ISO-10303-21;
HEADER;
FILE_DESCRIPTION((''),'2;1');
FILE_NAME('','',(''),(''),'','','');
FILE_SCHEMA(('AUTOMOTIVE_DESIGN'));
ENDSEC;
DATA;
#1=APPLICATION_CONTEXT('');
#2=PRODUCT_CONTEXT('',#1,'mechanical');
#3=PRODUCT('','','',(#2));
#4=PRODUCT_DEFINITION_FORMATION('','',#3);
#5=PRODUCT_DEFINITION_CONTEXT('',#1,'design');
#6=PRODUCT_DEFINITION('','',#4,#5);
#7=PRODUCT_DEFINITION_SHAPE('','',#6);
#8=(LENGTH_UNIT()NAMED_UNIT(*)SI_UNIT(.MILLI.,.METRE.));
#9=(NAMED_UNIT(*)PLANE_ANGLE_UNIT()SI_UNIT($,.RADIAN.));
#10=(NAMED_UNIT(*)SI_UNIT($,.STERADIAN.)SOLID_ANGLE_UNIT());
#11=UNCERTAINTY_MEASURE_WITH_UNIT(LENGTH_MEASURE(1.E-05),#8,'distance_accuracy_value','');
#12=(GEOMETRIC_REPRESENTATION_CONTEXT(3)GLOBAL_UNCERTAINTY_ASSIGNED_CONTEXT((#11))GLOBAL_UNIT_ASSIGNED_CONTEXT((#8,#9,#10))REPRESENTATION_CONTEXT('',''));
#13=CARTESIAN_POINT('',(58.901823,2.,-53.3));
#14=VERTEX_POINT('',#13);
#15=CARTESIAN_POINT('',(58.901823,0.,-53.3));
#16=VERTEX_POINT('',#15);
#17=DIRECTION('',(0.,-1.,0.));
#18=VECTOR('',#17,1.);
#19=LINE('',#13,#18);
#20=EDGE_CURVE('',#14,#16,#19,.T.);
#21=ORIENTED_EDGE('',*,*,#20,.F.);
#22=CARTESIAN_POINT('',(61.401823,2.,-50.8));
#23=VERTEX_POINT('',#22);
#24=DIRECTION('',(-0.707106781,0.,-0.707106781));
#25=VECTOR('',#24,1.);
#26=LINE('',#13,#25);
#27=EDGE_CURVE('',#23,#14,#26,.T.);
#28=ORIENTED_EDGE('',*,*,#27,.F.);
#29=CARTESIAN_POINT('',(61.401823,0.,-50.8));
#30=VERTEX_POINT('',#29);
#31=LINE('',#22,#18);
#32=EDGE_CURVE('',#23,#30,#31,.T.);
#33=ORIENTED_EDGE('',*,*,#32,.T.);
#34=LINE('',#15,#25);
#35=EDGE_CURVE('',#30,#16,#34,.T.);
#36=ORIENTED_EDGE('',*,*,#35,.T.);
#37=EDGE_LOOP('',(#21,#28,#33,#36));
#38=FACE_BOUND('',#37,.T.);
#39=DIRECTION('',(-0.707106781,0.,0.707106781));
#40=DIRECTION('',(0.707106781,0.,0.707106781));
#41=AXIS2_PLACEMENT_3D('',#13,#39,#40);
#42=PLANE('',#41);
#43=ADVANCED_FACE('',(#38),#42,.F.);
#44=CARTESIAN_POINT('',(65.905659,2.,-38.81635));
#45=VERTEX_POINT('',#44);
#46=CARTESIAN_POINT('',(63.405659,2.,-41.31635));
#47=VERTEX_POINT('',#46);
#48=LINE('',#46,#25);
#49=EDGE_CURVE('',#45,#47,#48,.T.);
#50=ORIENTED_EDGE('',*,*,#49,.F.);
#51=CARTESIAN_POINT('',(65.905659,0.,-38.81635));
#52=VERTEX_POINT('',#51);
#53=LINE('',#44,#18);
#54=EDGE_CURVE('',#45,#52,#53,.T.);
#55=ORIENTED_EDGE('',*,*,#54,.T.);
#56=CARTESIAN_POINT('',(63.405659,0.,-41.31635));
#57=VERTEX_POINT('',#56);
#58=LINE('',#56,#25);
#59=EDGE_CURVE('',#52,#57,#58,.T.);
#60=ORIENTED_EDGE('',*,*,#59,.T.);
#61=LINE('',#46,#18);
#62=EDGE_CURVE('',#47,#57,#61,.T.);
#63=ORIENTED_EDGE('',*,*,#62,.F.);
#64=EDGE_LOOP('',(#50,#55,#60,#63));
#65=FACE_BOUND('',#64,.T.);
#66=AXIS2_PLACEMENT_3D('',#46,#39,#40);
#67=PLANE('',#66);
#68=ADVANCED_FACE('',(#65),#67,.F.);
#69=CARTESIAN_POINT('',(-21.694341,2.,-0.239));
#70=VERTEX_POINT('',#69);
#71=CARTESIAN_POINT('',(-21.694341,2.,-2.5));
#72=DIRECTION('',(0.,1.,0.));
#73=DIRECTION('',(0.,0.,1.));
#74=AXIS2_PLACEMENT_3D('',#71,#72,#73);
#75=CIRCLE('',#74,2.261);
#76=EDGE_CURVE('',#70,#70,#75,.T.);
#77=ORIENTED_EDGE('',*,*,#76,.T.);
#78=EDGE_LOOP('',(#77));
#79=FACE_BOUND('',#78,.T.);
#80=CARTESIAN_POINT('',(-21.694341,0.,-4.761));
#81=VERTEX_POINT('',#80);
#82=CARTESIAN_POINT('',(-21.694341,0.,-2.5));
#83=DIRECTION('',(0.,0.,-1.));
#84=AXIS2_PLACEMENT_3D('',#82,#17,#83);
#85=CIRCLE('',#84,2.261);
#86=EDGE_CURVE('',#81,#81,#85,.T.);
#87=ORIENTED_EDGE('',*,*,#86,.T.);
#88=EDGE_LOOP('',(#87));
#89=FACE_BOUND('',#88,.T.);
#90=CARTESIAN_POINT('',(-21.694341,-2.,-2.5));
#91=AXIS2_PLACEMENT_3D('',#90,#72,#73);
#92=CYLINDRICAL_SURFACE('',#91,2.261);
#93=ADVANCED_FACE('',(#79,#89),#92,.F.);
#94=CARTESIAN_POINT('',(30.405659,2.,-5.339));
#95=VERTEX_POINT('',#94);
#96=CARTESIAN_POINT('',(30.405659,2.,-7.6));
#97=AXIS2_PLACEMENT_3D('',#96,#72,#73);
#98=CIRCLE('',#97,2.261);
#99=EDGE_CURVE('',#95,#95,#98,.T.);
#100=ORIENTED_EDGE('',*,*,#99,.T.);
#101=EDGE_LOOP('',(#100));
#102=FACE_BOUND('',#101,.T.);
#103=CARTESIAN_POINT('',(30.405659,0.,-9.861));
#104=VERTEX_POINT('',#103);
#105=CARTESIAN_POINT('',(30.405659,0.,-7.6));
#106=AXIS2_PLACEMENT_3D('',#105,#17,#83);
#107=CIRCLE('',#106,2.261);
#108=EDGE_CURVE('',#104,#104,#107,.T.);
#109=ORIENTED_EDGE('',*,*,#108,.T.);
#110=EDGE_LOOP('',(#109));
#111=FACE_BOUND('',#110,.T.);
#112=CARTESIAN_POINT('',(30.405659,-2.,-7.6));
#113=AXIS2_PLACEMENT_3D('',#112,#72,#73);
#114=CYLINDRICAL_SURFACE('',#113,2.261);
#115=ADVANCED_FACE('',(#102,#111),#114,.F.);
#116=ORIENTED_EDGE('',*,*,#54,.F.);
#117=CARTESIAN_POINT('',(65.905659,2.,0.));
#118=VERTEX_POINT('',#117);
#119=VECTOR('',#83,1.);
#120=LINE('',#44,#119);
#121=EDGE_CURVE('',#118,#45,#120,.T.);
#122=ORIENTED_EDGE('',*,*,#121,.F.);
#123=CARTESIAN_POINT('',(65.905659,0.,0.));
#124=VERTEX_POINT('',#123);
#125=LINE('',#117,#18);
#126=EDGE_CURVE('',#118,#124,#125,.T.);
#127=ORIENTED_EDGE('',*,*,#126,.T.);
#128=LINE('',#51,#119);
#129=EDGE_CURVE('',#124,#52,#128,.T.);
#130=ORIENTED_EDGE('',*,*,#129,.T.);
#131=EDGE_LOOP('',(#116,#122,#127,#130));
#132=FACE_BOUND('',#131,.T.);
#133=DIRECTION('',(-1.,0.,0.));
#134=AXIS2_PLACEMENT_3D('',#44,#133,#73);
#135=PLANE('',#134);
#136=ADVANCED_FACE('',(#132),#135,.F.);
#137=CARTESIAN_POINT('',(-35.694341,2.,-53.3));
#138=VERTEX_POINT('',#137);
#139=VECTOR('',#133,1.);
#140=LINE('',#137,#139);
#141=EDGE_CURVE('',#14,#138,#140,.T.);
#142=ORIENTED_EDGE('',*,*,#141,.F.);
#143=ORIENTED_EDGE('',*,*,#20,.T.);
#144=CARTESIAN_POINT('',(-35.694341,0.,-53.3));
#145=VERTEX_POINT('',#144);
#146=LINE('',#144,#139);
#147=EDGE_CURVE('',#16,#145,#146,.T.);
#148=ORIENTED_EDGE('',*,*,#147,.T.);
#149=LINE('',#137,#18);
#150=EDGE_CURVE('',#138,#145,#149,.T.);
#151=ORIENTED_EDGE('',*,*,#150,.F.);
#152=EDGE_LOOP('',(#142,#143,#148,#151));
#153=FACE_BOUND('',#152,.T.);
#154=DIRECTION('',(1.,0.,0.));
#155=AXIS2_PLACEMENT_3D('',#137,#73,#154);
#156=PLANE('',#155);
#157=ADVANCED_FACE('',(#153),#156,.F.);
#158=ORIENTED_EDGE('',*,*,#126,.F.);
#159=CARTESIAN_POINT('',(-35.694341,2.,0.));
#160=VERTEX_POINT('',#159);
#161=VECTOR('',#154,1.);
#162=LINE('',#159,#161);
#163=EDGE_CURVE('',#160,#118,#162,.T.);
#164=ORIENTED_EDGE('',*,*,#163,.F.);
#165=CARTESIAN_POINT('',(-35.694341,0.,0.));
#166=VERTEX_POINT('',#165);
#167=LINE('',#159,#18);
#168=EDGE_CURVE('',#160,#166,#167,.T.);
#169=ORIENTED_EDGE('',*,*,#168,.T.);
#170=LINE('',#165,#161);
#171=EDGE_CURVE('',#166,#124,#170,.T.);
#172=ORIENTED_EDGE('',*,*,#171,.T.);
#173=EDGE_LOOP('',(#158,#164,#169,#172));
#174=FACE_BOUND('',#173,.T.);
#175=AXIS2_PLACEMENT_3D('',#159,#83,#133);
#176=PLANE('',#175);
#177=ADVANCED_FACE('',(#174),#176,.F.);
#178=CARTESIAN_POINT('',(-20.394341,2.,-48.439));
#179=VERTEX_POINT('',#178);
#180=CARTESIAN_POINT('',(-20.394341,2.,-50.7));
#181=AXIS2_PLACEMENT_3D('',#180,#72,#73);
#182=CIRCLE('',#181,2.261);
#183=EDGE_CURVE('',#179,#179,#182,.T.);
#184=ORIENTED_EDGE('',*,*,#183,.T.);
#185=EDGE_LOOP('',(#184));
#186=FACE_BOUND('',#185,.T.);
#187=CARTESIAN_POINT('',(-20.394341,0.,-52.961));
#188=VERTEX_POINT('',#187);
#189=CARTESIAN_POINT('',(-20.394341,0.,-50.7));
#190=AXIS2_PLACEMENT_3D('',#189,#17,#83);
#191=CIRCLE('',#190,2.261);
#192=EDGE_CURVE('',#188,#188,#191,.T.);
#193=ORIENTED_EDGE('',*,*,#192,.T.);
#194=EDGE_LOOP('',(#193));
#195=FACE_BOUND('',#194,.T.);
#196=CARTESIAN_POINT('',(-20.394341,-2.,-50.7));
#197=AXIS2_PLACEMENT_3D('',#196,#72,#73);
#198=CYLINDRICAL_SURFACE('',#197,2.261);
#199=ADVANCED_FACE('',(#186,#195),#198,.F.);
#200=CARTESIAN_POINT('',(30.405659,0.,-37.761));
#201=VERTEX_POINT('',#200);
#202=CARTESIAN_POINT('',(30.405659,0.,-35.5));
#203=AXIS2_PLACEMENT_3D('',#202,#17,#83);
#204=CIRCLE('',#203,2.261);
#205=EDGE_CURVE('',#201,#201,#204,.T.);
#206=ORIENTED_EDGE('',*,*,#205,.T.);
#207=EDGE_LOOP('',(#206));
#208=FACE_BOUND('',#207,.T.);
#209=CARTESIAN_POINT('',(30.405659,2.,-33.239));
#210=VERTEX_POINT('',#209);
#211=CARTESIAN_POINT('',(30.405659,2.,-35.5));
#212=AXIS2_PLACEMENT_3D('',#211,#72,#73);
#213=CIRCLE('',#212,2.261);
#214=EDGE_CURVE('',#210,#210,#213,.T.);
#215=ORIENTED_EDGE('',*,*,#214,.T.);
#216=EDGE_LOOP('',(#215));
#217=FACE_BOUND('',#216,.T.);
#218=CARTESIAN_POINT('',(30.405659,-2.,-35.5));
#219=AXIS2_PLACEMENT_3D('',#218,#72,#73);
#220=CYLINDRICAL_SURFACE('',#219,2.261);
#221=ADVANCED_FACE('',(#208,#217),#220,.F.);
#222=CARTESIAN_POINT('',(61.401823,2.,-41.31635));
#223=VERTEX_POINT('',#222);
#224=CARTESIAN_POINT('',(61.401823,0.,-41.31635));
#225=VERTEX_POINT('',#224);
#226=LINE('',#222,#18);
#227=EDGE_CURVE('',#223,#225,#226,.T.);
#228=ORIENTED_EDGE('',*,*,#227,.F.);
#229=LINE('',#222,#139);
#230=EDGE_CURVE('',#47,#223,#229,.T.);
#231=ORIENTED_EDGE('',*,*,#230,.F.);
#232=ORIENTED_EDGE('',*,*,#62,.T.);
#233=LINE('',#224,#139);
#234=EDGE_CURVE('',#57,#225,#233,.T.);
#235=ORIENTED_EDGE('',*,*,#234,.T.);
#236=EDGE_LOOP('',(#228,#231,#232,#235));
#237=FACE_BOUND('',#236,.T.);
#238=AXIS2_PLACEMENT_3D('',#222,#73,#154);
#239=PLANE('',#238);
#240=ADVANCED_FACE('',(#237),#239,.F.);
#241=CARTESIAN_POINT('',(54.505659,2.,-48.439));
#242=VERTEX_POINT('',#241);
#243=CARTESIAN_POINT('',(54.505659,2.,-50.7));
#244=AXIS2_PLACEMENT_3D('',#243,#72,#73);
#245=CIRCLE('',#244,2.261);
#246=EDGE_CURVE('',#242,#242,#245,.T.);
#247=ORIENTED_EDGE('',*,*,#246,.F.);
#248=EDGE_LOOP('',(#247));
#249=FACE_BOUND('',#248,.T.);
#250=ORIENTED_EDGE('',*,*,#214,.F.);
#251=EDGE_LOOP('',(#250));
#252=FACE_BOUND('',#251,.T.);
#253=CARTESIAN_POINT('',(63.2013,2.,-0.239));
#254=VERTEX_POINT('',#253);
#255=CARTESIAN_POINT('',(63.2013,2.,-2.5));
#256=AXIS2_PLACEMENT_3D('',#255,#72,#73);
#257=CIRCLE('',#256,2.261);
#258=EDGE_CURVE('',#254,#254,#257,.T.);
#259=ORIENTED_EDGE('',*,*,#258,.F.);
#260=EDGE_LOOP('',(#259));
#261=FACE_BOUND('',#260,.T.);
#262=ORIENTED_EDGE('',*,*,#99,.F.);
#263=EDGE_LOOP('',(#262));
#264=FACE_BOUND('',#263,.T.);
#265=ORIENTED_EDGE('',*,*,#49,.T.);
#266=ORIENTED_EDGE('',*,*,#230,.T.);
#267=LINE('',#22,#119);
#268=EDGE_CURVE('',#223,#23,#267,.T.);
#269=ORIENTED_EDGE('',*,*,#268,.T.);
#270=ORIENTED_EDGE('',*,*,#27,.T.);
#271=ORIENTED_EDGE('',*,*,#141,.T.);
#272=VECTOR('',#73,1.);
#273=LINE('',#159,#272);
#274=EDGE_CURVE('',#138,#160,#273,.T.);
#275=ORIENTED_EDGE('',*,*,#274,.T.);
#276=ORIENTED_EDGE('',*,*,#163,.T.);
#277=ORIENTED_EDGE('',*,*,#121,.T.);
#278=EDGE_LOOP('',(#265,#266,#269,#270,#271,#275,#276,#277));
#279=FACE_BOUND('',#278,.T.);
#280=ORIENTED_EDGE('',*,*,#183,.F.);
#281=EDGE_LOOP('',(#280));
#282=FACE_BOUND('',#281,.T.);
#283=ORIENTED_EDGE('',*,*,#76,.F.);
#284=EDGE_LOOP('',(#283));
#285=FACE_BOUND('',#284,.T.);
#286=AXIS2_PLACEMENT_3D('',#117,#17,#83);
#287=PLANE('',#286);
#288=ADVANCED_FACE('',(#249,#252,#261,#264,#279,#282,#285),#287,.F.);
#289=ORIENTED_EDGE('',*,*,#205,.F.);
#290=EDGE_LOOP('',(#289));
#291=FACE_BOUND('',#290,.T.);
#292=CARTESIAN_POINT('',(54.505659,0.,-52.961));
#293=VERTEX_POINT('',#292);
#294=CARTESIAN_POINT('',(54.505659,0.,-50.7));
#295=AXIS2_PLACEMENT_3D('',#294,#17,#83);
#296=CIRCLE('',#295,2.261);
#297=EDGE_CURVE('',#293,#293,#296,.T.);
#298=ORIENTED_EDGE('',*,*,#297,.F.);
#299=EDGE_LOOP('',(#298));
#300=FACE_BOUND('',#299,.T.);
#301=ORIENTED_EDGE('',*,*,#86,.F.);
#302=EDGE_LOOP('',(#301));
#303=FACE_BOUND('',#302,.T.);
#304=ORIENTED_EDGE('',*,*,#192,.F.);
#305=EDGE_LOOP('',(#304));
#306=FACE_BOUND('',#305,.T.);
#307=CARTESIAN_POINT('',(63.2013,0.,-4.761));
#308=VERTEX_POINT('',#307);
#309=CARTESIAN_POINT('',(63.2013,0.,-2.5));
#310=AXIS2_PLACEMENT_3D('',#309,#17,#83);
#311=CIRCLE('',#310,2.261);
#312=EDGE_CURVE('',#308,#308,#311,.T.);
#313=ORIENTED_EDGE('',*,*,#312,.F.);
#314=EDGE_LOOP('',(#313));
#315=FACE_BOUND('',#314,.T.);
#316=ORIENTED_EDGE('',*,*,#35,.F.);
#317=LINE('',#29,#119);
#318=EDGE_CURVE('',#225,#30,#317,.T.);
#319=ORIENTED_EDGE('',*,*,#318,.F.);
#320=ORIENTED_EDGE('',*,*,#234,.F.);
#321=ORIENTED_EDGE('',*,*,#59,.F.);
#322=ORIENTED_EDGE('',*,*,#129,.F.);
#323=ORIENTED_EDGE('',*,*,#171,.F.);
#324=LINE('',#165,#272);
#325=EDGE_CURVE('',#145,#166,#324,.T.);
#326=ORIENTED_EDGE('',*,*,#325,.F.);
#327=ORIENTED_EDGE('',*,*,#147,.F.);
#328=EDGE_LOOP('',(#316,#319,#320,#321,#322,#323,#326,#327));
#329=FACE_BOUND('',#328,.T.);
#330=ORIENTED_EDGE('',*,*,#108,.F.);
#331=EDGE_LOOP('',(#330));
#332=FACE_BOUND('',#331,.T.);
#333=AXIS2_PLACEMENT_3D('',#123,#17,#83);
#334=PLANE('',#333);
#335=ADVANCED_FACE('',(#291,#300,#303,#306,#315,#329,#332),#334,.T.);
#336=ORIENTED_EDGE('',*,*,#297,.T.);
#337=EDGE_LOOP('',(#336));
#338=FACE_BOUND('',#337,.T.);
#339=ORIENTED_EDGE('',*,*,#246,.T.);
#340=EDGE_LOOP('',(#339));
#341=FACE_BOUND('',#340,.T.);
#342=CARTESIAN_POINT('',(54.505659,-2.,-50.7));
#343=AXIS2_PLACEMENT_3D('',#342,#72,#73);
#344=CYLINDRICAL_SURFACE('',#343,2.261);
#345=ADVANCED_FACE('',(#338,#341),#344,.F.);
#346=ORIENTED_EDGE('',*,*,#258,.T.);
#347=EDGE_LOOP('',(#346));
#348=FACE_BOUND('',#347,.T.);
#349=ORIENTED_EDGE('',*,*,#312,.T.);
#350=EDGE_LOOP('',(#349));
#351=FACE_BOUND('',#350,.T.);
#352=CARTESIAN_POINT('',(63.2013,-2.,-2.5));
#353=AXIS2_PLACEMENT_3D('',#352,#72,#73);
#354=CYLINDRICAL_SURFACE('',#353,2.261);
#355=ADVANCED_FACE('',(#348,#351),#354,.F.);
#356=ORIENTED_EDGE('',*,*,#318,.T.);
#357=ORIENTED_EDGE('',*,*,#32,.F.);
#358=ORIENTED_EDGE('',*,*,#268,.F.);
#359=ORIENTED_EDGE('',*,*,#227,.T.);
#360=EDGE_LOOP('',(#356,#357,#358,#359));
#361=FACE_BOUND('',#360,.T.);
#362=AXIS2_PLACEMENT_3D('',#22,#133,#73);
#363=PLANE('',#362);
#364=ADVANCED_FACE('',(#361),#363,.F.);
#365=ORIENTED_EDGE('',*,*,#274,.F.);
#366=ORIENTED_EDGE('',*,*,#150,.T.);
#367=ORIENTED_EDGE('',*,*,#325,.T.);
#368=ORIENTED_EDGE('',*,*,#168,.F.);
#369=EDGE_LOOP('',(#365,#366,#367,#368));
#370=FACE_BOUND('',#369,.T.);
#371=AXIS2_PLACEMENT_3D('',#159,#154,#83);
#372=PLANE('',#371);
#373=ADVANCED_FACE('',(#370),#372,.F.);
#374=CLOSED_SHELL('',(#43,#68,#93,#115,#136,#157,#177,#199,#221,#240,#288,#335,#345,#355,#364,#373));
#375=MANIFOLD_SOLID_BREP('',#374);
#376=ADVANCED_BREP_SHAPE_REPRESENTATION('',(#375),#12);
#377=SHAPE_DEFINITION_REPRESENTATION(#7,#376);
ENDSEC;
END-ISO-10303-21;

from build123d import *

# Parameters (mm, degrees)
BOSS_EXTRUDE1_DEPTH = 2
SKETCH2_R           = 2.261
CUT_EXTRUDE1_DEPTH  = 4
SKETCH2_3_R         = 2.261
CUT_EXTRUDE2_DEPTH  = 4


with BuildPart() as part:
    # Sketch1 → Boss-Extrude1 (new body)
    with BuildSketch(Plane(origin=(0, 0, 0), x_dir=(1, 0, 0), z_dir=(0, 1, 0))):
        Polygon((-35.69434129, 0), (-35.69434129, 53.3), (58.90182323, 53.3), (61.40182323, 50.8), (61.40182323, 41.31634957), (63.40565871, 41.31634957), (65.90565871, 38.81634957), (65.90565871, 0), align=None)
    extrude(amount=BOSS_EXTRUDE1_DEPTH)

    # Sketch2 → Cut-Extrude1 (cut)
    with BuildSketch(Plane(origin=(0, 2, 0), x_dir=(1, 0, 0), z_dir=(0, 1, 0))):
        with Locations((-20.39434129, 50.7)):
            Circle(SKETCH2_R)
    extrude(amount=-CUT_EXTRUDE1_DEPTH, mode=Mode.SUBTRACT)

    # Sketch2<3> → Cut-Extrude2 (cut)
    with BuildSketch(Plane(origin=(0, 2, 0), x_dir=(1, 0, 0), z_dir=(0, 1, 0))):
        with Locations((-21.69434129, 2.5)):
            Circle(SKETCH2_3_R)
        with Locations((63.201299911, 2.5)):
            Circle(SKETCH2_3_R)
        with Locations((30.40565871, 7.6)):
            Circle(SKETCH2_3_R)
        with Locations((30.40565871, 35.5)):
            Circle(SKETCH2_3_R)
        with Locations((54.50565871, 50.7)):
            Circle(SKETCH2_3_R)
    extrude(amount=-CUT_EXTRUDE2_DEPTH, mode=Mode.SUBTRACT)


solid = part.part
